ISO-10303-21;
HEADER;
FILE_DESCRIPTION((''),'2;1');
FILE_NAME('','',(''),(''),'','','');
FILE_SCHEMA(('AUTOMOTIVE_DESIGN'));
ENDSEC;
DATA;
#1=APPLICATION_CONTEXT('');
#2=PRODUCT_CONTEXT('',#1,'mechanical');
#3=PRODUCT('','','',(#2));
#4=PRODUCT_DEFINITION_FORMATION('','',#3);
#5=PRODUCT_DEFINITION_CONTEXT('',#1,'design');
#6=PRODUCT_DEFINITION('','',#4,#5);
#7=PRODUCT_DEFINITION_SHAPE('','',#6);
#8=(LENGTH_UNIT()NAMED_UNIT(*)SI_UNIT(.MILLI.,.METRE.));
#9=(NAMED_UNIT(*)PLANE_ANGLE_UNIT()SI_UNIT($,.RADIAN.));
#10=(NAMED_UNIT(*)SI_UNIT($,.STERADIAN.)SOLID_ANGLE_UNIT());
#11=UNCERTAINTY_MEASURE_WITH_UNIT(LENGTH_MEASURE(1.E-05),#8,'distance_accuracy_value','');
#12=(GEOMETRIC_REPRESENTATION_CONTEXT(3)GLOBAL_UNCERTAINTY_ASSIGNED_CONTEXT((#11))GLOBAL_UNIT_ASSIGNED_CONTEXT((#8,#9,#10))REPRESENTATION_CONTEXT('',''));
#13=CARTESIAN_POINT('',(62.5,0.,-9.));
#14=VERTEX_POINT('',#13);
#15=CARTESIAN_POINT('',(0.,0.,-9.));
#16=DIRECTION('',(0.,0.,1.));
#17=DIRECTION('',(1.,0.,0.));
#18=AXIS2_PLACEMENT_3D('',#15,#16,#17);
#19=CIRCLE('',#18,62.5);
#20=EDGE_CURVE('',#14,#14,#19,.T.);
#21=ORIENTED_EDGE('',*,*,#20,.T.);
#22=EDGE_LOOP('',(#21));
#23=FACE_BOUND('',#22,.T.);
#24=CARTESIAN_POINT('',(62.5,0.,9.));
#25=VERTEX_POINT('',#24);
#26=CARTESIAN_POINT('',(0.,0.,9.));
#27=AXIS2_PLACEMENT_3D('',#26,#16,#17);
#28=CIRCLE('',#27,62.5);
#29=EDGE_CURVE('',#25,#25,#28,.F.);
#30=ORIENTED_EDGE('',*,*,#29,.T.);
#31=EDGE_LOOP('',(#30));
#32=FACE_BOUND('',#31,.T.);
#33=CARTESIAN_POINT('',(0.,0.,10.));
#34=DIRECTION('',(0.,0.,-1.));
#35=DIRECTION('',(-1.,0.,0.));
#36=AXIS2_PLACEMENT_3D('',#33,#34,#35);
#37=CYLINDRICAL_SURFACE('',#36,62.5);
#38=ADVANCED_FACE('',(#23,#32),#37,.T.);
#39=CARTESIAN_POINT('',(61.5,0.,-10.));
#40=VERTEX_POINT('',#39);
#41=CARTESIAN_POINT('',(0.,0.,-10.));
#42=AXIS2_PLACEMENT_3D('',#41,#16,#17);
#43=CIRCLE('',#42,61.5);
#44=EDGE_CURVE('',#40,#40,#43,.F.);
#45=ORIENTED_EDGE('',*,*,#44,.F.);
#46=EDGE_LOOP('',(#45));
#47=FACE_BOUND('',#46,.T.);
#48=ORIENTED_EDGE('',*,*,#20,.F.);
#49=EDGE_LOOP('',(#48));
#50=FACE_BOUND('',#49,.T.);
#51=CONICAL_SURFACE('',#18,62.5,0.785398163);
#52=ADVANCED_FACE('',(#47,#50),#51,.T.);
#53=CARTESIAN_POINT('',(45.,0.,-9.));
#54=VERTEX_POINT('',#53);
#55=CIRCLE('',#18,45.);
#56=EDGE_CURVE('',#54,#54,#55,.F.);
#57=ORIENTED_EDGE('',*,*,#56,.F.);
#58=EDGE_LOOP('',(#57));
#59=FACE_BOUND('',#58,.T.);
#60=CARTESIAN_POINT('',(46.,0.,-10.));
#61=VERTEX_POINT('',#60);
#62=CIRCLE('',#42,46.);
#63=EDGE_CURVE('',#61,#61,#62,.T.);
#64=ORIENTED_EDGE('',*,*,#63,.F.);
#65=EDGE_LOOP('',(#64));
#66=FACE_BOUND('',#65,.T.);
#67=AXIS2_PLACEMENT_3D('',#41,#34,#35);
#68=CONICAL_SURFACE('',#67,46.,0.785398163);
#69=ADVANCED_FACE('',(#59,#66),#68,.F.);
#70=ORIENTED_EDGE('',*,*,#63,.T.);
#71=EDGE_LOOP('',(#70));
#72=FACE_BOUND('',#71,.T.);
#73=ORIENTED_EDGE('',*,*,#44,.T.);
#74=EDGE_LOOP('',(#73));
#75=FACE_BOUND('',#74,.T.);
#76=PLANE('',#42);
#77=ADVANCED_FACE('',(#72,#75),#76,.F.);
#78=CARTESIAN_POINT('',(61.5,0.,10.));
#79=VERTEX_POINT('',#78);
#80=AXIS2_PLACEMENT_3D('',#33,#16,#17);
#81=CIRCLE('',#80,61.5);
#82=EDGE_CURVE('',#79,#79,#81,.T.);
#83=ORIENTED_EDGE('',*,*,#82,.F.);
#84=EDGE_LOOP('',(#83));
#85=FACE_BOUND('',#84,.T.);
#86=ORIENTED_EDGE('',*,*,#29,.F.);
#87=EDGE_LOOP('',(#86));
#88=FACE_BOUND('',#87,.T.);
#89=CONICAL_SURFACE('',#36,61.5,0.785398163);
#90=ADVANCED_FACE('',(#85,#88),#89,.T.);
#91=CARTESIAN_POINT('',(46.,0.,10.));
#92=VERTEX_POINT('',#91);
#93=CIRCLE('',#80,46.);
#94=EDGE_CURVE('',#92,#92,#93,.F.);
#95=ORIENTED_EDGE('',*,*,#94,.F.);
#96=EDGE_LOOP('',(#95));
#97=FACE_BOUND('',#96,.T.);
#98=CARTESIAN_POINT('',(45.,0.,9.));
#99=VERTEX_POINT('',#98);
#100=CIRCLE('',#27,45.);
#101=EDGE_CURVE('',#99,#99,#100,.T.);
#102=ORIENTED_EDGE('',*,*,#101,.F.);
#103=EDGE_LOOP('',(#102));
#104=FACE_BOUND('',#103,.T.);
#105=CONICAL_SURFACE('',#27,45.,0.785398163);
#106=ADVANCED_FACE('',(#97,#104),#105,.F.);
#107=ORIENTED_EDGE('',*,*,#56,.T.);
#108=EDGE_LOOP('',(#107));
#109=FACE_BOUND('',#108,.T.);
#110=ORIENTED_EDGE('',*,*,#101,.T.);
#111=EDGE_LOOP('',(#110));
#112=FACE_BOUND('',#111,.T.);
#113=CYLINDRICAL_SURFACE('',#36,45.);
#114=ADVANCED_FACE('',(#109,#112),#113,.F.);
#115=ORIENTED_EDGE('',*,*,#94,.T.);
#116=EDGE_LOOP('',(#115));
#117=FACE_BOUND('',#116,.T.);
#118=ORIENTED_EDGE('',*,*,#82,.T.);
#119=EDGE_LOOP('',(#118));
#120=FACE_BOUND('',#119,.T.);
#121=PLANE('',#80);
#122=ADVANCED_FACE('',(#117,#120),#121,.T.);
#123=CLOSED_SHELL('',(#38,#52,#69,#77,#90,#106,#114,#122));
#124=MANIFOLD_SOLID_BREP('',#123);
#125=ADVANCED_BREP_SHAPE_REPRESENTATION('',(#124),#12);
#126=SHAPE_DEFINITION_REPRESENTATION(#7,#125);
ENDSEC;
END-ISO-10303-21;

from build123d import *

# Parameters (mm, degrees)
SKETCH_1_R      = 62.5
SKETCH_1_R_2    = 45
EXTRUDE_1_DEPTH = 10
CHAMFER_1_SIZE  = 1


with BuildPart() as part:
    # 草图1 → 凸台-拉伸1 (new, symmetric)
    with BuildSketch(Plane.XY):
        Circle(SKETCH_1_R)
        Circle(SKETCH_1_R_2, mode=Mode.SUBTRACT)
    extrude(amount=EXTRUDE_1_DEPTH, both=True)

    # 倒角1
    chamfer_1_edges = [part.edges().sort_by_distance(p)[0] for p in [
        (-62.5, 0, -10),
        (-62.5, 0, 10),
        (-45, 0, -10),
        (-45, 0, 10),
    ]]
    chamfer(chamfer_1_edges, length=CHAMFER_1_SIZE)


solid = part.part
